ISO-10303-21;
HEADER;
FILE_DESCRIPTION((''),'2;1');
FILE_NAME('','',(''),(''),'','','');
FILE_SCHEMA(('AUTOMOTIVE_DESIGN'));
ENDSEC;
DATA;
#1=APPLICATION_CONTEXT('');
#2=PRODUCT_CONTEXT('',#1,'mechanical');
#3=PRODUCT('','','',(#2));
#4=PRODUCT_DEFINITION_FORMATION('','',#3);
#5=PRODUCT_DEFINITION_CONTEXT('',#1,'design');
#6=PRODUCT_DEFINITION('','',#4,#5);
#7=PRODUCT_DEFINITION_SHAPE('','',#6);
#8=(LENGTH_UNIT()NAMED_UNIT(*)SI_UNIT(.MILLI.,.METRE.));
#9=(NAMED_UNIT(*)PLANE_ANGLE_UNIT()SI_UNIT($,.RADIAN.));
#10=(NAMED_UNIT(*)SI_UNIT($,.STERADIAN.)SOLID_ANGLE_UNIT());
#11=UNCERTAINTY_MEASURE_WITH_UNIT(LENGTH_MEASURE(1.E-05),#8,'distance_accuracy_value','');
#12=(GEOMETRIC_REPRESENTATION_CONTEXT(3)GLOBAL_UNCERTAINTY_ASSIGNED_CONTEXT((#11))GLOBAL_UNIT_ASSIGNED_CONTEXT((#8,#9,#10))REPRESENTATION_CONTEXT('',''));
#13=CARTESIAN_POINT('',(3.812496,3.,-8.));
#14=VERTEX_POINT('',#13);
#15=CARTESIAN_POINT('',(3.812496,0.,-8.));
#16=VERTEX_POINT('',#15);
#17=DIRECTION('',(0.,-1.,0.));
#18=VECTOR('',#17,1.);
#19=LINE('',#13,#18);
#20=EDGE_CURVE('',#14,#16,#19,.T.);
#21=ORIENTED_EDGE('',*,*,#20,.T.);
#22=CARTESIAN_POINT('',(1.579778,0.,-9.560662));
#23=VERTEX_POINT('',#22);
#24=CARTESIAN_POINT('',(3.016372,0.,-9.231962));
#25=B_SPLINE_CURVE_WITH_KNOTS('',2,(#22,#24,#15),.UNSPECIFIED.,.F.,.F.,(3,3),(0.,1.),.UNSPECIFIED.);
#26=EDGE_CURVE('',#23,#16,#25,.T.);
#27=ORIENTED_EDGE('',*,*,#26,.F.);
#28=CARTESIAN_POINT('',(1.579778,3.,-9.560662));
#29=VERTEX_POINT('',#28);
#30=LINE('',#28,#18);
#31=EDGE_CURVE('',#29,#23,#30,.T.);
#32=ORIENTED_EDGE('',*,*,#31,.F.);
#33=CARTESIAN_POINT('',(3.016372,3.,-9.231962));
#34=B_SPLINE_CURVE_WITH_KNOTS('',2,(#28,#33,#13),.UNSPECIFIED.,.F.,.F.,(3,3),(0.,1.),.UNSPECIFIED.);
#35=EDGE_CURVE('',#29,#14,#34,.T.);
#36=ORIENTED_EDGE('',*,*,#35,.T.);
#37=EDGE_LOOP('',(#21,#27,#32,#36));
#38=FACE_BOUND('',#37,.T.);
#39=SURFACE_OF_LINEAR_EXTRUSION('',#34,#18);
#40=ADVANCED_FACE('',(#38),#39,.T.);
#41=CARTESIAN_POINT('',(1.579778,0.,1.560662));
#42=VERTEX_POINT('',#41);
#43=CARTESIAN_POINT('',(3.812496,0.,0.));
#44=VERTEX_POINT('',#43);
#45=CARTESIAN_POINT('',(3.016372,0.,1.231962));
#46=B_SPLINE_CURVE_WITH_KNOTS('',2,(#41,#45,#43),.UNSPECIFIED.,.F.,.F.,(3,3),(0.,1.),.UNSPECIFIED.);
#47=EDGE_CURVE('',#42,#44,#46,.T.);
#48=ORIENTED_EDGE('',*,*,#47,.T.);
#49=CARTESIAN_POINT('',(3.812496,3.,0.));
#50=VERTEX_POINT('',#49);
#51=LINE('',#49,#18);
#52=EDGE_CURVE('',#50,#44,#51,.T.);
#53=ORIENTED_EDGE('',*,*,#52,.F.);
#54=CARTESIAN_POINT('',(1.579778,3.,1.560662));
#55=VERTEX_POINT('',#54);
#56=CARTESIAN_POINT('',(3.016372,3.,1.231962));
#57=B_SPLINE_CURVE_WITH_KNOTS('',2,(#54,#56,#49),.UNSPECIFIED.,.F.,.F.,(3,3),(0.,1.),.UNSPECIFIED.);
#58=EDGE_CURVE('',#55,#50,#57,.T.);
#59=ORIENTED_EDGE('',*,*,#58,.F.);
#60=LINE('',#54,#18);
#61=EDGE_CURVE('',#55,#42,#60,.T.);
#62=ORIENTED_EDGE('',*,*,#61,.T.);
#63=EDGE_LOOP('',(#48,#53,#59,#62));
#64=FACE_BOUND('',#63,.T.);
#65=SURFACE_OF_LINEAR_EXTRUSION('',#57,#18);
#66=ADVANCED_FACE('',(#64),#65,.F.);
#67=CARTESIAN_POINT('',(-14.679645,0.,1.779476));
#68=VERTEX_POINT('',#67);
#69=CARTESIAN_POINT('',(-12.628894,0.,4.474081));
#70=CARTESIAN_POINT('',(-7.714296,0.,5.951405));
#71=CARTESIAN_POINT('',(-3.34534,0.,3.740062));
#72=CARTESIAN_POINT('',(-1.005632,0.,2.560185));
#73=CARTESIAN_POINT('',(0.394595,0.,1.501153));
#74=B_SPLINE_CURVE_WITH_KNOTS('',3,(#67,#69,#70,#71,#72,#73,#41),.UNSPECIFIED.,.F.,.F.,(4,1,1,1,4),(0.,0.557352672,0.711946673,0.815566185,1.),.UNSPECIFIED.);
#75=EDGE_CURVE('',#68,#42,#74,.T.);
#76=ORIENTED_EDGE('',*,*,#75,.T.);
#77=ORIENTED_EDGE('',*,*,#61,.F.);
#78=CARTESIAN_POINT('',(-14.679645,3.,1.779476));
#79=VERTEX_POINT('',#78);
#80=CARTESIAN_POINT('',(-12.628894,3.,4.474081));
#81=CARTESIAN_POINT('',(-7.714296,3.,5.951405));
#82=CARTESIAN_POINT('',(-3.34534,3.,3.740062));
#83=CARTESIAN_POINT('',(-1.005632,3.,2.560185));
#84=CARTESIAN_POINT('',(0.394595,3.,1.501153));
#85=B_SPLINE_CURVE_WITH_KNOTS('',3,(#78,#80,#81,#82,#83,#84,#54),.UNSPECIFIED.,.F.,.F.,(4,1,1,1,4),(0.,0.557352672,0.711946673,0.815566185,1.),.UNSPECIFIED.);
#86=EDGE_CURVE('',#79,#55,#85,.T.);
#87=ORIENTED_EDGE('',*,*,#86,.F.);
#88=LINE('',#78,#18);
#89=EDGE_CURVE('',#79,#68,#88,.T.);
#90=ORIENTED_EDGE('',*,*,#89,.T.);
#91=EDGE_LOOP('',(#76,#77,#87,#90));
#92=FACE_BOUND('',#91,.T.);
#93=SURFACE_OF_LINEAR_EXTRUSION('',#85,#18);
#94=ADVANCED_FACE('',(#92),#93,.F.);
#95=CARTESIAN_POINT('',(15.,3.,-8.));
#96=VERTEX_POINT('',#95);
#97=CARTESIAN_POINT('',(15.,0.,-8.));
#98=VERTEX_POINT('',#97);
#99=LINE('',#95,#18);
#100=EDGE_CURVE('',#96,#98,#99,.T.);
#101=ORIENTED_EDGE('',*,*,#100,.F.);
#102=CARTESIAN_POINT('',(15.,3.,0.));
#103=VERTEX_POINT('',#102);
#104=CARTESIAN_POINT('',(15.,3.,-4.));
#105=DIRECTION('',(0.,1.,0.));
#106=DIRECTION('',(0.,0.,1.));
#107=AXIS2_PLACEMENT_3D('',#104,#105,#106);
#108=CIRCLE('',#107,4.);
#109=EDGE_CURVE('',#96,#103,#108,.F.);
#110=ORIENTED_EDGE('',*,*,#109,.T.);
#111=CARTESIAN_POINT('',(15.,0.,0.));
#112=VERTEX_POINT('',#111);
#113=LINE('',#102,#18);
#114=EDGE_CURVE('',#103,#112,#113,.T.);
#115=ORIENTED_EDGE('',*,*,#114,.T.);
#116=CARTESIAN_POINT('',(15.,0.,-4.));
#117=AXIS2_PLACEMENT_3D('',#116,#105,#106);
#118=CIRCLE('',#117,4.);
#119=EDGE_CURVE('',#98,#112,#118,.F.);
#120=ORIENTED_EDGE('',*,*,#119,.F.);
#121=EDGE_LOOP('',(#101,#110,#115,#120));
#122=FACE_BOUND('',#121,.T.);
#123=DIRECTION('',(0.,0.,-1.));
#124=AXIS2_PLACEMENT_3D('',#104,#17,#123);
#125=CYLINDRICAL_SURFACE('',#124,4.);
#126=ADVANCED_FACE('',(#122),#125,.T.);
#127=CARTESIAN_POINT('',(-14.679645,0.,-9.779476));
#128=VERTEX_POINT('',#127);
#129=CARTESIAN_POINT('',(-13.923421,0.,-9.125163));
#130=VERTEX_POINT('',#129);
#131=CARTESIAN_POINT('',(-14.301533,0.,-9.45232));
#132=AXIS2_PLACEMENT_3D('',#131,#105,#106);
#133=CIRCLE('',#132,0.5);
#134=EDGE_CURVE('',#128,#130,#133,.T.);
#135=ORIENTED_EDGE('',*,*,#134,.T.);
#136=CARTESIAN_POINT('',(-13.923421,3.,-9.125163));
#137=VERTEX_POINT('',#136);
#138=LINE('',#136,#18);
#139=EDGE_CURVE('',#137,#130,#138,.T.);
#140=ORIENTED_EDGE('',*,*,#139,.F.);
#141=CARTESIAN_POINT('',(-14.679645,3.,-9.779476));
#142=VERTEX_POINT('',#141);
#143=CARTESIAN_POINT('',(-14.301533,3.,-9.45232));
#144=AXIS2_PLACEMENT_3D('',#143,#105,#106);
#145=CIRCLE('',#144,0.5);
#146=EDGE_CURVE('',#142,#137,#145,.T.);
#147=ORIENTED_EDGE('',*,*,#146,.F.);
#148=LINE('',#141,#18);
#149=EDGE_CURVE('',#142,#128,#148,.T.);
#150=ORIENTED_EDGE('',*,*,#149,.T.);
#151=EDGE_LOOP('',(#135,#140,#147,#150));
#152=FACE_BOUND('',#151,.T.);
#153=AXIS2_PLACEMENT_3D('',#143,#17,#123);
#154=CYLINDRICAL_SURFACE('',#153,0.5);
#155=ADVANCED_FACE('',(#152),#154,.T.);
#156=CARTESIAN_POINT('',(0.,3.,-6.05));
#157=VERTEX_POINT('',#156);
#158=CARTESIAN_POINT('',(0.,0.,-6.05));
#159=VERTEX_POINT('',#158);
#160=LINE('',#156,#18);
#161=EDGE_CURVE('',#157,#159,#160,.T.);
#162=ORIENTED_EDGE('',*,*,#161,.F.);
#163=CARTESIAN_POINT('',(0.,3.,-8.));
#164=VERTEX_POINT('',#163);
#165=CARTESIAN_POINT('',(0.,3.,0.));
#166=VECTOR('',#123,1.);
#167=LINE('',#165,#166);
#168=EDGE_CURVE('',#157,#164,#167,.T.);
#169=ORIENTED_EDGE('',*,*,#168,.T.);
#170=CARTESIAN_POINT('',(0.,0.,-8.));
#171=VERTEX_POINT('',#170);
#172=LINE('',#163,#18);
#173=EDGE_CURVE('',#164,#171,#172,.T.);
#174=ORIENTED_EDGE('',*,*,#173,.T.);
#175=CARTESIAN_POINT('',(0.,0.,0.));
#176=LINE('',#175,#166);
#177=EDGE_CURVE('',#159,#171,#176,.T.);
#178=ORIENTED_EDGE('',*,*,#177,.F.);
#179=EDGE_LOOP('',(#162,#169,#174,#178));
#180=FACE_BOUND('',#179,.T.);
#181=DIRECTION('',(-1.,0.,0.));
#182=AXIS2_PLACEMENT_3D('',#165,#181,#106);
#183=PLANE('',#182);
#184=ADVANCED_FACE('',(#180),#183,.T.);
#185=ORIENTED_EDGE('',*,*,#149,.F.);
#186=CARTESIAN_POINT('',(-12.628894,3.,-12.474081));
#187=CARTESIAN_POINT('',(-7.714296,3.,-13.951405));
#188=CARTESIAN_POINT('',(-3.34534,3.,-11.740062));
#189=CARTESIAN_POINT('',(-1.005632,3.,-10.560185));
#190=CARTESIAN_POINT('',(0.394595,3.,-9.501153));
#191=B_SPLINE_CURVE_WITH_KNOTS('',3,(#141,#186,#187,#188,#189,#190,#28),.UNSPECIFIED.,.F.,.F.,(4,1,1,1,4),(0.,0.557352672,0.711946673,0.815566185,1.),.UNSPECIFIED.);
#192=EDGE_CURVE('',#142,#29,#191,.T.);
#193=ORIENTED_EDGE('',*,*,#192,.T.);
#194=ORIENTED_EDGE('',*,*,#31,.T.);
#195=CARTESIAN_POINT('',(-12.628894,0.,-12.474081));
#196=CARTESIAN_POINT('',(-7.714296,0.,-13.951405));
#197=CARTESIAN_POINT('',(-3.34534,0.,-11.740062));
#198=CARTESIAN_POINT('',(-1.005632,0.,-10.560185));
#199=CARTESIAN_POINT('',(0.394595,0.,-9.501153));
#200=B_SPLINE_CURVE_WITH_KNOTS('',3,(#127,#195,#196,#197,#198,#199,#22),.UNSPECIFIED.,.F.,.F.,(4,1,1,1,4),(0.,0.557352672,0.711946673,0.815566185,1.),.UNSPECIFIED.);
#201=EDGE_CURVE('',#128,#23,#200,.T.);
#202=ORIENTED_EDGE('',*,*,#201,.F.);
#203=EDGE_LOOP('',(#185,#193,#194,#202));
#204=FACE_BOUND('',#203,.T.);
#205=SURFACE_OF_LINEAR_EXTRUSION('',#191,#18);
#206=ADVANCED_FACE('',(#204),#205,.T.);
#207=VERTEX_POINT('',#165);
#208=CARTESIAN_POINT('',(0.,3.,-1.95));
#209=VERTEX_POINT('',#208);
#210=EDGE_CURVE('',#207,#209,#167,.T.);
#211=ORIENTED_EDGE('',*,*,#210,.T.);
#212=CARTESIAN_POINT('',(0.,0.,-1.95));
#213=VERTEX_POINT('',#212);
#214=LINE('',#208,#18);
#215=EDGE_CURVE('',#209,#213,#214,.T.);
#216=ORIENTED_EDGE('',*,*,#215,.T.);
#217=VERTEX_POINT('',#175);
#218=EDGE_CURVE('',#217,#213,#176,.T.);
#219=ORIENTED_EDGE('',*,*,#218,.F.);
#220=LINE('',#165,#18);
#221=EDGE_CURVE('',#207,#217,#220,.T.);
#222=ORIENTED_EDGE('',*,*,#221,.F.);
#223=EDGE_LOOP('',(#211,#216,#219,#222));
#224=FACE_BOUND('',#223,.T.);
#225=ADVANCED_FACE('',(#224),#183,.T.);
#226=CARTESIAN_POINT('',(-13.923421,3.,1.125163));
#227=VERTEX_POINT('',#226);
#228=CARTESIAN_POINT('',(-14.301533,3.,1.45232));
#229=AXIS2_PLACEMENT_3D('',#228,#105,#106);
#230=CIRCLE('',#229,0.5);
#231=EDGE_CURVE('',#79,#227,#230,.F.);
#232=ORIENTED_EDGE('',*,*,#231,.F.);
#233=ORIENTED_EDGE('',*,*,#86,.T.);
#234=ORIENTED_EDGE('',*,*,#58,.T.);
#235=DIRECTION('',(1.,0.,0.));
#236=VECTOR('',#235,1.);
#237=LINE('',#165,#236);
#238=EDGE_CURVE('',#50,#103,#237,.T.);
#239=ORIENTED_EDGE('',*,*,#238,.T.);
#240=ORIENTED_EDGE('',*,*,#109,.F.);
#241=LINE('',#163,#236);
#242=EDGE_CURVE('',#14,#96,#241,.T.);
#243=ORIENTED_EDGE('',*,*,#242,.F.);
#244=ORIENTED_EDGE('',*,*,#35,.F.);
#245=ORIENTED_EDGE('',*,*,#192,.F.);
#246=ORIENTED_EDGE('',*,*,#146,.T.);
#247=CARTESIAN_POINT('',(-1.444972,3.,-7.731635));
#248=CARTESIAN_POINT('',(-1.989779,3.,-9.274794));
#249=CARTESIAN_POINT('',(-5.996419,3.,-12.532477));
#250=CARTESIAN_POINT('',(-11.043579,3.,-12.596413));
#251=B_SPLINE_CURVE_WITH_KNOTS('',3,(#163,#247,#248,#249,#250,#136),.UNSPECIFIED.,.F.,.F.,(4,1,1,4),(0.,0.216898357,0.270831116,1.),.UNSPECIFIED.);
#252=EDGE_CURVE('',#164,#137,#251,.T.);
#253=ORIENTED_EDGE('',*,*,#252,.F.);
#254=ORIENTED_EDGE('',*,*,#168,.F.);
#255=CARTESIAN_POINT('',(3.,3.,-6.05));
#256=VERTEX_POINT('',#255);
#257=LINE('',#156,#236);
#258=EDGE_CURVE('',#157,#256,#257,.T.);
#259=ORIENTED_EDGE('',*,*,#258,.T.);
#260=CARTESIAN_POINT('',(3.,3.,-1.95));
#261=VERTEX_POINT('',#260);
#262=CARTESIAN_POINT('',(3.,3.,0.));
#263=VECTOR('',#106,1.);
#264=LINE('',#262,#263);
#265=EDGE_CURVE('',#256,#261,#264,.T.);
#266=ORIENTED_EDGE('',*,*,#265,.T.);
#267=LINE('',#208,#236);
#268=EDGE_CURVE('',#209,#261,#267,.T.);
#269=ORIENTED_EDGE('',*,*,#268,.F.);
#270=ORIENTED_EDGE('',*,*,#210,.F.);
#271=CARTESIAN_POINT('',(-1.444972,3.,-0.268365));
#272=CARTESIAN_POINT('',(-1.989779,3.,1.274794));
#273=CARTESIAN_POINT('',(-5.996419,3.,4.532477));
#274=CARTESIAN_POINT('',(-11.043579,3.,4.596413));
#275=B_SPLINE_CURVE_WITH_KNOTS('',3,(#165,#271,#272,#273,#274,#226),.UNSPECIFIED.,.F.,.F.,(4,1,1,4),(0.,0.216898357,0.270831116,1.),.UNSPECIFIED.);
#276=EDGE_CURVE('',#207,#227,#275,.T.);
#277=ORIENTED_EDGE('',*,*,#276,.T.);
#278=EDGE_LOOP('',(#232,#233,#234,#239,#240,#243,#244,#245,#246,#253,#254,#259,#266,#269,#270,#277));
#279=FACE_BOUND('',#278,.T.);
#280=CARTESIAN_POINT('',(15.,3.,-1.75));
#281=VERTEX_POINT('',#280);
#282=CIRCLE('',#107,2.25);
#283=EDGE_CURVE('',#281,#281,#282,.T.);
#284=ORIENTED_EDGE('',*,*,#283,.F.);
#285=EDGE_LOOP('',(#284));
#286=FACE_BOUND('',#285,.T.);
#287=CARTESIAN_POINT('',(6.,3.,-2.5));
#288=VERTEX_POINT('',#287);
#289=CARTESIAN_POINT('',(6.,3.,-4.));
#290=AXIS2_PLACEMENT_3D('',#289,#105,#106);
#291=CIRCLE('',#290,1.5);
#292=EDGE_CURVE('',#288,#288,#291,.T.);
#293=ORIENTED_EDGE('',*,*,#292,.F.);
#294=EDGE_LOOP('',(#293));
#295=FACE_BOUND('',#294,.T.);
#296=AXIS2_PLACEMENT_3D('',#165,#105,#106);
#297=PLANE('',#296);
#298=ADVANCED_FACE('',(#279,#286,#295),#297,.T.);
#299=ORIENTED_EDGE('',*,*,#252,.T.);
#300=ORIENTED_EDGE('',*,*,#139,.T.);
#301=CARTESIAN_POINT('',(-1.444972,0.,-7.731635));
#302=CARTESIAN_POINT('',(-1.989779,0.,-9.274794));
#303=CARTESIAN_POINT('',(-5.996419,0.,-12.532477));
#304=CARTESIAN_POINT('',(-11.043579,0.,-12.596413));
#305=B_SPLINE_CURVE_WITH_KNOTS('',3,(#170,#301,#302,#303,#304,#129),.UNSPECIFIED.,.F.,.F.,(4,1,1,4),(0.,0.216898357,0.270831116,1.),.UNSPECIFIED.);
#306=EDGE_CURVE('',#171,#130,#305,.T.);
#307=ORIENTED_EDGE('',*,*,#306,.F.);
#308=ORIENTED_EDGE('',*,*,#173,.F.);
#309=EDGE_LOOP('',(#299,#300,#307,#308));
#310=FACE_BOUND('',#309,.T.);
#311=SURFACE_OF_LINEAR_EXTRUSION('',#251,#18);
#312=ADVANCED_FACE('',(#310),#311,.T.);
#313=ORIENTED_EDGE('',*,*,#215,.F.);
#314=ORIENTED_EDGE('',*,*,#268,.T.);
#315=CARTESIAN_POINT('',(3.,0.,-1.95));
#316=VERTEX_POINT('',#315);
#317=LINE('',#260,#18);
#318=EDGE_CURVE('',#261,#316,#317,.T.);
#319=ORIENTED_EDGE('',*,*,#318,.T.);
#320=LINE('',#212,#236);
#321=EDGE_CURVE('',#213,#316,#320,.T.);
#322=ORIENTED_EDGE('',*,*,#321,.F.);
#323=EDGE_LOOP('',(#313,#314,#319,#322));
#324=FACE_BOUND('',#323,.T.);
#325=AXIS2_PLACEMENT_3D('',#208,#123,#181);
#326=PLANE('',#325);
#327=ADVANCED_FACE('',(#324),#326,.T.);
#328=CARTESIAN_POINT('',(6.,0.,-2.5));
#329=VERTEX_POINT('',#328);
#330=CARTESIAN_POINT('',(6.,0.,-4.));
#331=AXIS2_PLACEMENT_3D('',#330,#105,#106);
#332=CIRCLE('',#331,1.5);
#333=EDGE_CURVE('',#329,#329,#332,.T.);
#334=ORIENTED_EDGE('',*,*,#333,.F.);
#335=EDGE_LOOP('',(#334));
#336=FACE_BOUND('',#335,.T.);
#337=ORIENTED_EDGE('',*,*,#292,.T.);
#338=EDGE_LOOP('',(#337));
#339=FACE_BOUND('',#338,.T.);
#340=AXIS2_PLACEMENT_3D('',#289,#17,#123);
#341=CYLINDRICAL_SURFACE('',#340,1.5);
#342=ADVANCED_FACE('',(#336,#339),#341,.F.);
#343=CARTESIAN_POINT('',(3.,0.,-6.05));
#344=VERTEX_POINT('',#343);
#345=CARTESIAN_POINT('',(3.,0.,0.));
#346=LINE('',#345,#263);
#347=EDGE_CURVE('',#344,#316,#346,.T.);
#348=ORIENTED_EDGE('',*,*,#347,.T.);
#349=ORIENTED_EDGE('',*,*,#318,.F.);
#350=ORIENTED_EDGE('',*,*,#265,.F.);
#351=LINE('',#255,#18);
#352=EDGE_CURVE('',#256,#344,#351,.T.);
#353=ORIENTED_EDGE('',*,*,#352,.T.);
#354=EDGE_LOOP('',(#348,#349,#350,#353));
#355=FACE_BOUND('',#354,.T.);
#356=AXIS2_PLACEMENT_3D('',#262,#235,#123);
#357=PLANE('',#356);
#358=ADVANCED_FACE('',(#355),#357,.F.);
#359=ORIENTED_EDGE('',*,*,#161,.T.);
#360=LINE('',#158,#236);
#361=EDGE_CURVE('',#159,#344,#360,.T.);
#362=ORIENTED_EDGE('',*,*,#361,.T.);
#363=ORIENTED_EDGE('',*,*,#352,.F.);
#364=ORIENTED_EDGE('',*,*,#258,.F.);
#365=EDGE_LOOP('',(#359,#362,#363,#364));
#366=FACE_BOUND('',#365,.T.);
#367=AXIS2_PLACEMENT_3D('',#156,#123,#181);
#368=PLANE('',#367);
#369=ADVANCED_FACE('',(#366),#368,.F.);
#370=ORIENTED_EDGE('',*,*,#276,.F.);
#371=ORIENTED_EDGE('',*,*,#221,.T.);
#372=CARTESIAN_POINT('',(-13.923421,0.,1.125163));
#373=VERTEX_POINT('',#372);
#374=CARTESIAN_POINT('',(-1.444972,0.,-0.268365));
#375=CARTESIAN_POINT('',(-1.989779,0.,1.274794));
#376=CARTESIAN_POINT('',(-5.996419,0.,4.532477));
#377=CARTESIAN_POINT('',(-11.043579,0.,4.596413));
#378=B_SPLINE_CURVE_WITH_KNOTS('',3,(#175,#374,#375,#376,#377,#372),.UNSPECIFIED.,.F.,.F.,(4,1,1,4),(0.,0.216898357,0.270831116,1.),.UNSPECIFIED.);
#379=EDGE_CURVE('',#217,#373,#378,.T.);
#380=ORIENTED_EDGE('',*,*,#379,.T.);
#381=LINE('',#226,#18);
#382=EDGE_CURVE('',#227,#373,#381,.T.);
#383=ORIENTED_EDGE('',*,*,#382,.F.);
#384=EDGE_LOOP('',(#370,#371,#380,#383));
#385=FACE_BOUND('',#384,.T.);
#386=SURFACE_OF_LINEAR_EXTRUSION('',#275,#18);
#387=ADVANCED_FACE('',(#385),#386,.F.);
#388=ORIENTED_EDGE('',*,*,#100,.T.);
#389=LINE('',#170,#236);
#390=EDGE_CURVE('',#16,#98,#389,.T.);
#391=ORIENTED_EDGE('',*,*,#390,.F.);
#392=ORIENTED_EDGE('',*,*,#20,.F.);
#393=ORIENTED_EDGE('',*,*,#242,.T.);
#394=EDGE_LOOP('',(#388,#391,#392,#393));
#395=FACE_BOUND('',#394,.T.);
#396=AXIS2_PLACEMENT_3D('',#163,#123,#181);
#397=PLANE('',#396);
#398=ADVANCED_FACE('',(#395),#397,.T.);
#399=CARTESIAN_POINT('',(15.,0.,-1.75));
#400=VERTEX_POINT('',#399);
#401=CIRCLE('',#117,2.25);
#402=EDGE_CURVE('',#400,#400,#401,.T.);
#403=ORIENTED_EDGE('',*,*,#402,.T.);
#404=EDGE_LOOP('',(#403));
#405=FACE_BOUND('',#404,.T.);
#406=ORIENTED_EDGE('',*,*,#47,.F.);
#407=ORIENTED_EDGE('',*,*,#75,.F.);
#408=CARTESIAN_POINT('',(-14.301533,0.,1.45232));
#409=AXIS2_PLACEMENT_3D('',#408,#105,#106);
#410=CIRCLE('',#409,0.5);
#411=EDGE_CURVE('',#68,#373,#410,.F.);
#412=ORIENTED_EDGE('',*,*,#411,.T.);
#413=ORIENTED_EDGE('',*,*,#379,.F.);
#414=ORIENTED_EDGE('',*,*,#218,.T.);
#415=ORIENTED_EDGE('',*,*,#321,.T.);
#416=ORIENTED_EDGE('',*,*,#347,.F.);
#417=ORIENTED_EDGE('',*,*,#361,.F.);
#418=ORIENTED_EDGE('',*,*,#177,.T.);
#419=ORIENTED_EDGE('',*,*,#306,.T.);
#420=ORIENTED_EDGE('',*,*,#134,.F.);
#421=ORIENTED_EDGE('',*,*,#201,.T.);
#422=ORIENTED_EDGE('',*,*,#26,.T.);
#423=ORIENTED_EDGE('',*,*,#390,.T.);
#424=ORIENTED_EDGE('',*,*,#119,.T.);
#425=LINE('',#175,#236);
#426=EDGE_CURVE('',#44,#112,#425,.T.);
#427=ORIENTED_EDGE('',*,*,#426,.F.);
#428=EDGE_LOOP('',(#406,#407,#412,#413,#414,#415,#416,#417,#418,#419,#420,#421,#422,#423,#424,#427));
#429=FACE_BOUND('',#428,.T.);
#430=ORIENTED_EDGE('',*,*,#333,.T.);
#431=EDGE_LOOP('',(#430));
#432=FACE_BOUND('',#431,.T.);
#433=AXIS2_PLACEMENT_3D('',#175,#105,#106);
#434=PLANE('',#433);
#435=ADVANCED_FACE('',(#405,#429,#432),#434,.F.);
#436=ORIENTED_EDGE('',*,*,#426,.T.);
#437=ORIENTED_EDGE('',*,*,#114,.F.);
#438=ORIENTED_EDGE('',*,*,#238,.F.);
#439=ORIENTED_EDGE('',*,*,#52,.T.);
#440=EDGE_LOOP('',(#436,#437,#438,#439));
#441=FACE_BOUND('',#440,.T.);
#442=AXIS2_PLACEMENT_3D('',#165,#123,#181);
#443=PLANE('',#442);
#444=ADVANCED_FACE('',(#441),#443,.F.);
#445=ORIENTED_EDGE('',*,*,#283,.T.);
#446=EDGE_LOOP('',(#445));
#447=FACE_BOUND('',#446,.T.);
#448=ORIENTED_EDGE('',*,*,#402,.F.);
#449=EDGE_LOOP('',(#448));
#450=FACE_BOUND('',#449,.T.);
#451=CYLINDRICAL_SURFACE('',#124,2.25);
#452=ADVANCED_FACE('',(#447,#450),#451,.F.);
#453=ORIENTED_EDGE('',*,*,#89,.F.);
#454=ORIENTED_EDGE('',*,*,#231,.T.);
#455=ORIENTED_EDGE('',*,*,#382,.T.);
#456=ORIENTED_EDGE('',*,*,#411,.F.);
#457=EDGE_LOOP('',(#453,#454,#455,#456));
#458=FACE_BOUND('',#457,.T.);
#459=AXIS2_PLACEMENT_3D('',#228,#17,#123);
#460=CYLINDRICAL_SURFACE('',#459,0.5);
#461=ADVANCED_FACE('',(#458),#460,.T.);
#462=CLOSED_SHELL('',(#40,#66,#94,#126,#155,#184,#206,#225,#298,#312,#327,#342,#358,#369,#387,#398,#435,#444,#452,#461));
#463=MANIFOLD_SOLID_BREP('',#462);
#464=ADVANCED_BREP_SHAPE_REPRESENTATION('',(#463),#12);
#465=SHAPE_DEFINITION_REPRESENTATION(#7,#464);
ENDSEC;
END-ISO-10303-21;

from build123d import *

# Parameters (mm, degrees)
SKETCH1_R           = 1.5
BOSS_EXTRUDE1_DEPTH = 3


with BuildPart() as part:
    # Sketch1 → Boss-Extrude1 (new body)
    with BuildSketch(Plane(origin=(0, 0, 0), x_dir=(1, 0, 0), z_dir=(0, 1, 0))):
        with BuildLine():
            Line((0, 1.95), (0, 0))
            Line((0, 0), (1.462394889, 0))
            Line((1.462394889, 0), (3.812496302, 0))
            Line((3.812496302, 0), (15, 0))
            Line((15, 0), (15, 1.75))
            ThreePointArc((15, 1.75), (12.75, 4), (15, 6.25))
            Line((15, 6.25), (15, 8))
            Line((15, 8), (3.812496302, 8))
            Line((3.812496302, 8), (0, 8))
            Line((0, 8), (0, 6.05))
            Line((0, 6.05), (3, 6.05))
            Line((3, 6.05), (3, 1.95))
            Line((3, 1.95), (0, 1.95))
        make_face()
        with Locations((6, 4)):
            Circle(SKETCH1_R, mode=Mode.SUBTRACT)
        with BuildLine():
            Line((1.462394889, 0), (0, 0))
            add(Edge.make_bspline(
                [(0, 0), (-1.444972113, 0.268364939), (-1.989778669, -1.274793611), (-5.99641862, -4.532476754), (-11.043579326, -4.596412752), (-13.923421089, -1.125163293)],
                knots=[0, 0, 0, 0, 0.216898357, 0.270831116, 1, 1, 1, 1], degree=3))
            ThreePointArc((-13.923421089, -1.125163293), (-14.628689505, -1.074207804), (-14.679644993, -1.77947622))
            add(Edge.make_bspline(
                [(-14.679644993, -1.77947622), (-12.628894453, -4.474080979), (-7.714296312, -5.95140451), (-3.34534031, -3.74006244), (-1.005631641, -2.560185408), (0.394595325, -1.501153093), (1.579778317, -1.560661502)],
                knots=[0, 0, 0, 0, 0.557352672, 0.711946673, 0.815566185, 1, 1, 1, 1], degree=3))
            Line((1.579778317, -1.560661502), (1.462394889, 0))
        make_face()
        with BuildLine():
            Line((3.812496302, 0), (1.462394889, 0))
            Line((1.462394889, 0), (1.579778317, -1.560661502))
            add(Edge.make_bspline(
                [(1.579778317, -1.560661502), (3.016371883, -1.23196193), (3.812496302, 0)],
                knots=[0, 0, 0, 1, 1, 1], degree=2))
        make_face()
        with BuildLine():
            Line((15, 1.75), (15, 0))
            ThreePointArc((15, 0), (19, 4), (15, 8))
            Line((15, 8), (15, 6.25))
            ThreePointArc((15, 6.25), (16.590990258, 5.590990258), (17.25, 4))
            ThreePointArc((17.25, 4), (16.590990258, 2.409009742), (15, 1.75))
        make_face()
        with BuildLine():
            add(Edge.make_bspline(
                [(0, 8), (-1.444972113, 7.731635061), (-1.989778669, 9.274793611), (-5.99641862, 12.532476754), (-11.043579326, 12.596412752), (-13.923421089, 9.125163293)],
                knots=[0, 0, 0, 0, 0.216898357, 0.270831116, 1, 1, 1, 1], degree=3))
            Line((0, 8), (3.812496302, 8))
            add(Edge.make_bspline(
                [(1.579778317, 9.560661502), (3.016371883, 9.23196193), (3.812496302, 8)],
                knots=[0, 0, 0, 1, 1, 1], degree=2))
            add(Edge.make_bspline(
                [(-14.679644993, 9.77947622), (-12.628894453, 12.474080979), (-7.714296312, 13.95140451), (-3.34534031, 11.74006244), (-1.005631641, 10.560185408), (0.394595325, 9.501153093), (1.579778317, 9.560661502)],
                knots=[0, 0, 0, 0, 0.557352672, 0.711946673, 0.815566185, 1, 1, 1, 1], degree=3))
            Line((-14.679644993, 9.77947622), (-13.923421089, 9.125163293))
        make_face()
        with BuildLine():
            ThreePointArc((-14.679644993, 9.77947622), (-14.628689505, 9.074207804), (-13.923421089, 9.125163293))
            Line((-13.923421089, 9.125163293), (-14.679644993, 9.77947622))
        make_face()
    extrude(amount=BOSS_EXTRUDE1_DEPTH)


solid = part.part
